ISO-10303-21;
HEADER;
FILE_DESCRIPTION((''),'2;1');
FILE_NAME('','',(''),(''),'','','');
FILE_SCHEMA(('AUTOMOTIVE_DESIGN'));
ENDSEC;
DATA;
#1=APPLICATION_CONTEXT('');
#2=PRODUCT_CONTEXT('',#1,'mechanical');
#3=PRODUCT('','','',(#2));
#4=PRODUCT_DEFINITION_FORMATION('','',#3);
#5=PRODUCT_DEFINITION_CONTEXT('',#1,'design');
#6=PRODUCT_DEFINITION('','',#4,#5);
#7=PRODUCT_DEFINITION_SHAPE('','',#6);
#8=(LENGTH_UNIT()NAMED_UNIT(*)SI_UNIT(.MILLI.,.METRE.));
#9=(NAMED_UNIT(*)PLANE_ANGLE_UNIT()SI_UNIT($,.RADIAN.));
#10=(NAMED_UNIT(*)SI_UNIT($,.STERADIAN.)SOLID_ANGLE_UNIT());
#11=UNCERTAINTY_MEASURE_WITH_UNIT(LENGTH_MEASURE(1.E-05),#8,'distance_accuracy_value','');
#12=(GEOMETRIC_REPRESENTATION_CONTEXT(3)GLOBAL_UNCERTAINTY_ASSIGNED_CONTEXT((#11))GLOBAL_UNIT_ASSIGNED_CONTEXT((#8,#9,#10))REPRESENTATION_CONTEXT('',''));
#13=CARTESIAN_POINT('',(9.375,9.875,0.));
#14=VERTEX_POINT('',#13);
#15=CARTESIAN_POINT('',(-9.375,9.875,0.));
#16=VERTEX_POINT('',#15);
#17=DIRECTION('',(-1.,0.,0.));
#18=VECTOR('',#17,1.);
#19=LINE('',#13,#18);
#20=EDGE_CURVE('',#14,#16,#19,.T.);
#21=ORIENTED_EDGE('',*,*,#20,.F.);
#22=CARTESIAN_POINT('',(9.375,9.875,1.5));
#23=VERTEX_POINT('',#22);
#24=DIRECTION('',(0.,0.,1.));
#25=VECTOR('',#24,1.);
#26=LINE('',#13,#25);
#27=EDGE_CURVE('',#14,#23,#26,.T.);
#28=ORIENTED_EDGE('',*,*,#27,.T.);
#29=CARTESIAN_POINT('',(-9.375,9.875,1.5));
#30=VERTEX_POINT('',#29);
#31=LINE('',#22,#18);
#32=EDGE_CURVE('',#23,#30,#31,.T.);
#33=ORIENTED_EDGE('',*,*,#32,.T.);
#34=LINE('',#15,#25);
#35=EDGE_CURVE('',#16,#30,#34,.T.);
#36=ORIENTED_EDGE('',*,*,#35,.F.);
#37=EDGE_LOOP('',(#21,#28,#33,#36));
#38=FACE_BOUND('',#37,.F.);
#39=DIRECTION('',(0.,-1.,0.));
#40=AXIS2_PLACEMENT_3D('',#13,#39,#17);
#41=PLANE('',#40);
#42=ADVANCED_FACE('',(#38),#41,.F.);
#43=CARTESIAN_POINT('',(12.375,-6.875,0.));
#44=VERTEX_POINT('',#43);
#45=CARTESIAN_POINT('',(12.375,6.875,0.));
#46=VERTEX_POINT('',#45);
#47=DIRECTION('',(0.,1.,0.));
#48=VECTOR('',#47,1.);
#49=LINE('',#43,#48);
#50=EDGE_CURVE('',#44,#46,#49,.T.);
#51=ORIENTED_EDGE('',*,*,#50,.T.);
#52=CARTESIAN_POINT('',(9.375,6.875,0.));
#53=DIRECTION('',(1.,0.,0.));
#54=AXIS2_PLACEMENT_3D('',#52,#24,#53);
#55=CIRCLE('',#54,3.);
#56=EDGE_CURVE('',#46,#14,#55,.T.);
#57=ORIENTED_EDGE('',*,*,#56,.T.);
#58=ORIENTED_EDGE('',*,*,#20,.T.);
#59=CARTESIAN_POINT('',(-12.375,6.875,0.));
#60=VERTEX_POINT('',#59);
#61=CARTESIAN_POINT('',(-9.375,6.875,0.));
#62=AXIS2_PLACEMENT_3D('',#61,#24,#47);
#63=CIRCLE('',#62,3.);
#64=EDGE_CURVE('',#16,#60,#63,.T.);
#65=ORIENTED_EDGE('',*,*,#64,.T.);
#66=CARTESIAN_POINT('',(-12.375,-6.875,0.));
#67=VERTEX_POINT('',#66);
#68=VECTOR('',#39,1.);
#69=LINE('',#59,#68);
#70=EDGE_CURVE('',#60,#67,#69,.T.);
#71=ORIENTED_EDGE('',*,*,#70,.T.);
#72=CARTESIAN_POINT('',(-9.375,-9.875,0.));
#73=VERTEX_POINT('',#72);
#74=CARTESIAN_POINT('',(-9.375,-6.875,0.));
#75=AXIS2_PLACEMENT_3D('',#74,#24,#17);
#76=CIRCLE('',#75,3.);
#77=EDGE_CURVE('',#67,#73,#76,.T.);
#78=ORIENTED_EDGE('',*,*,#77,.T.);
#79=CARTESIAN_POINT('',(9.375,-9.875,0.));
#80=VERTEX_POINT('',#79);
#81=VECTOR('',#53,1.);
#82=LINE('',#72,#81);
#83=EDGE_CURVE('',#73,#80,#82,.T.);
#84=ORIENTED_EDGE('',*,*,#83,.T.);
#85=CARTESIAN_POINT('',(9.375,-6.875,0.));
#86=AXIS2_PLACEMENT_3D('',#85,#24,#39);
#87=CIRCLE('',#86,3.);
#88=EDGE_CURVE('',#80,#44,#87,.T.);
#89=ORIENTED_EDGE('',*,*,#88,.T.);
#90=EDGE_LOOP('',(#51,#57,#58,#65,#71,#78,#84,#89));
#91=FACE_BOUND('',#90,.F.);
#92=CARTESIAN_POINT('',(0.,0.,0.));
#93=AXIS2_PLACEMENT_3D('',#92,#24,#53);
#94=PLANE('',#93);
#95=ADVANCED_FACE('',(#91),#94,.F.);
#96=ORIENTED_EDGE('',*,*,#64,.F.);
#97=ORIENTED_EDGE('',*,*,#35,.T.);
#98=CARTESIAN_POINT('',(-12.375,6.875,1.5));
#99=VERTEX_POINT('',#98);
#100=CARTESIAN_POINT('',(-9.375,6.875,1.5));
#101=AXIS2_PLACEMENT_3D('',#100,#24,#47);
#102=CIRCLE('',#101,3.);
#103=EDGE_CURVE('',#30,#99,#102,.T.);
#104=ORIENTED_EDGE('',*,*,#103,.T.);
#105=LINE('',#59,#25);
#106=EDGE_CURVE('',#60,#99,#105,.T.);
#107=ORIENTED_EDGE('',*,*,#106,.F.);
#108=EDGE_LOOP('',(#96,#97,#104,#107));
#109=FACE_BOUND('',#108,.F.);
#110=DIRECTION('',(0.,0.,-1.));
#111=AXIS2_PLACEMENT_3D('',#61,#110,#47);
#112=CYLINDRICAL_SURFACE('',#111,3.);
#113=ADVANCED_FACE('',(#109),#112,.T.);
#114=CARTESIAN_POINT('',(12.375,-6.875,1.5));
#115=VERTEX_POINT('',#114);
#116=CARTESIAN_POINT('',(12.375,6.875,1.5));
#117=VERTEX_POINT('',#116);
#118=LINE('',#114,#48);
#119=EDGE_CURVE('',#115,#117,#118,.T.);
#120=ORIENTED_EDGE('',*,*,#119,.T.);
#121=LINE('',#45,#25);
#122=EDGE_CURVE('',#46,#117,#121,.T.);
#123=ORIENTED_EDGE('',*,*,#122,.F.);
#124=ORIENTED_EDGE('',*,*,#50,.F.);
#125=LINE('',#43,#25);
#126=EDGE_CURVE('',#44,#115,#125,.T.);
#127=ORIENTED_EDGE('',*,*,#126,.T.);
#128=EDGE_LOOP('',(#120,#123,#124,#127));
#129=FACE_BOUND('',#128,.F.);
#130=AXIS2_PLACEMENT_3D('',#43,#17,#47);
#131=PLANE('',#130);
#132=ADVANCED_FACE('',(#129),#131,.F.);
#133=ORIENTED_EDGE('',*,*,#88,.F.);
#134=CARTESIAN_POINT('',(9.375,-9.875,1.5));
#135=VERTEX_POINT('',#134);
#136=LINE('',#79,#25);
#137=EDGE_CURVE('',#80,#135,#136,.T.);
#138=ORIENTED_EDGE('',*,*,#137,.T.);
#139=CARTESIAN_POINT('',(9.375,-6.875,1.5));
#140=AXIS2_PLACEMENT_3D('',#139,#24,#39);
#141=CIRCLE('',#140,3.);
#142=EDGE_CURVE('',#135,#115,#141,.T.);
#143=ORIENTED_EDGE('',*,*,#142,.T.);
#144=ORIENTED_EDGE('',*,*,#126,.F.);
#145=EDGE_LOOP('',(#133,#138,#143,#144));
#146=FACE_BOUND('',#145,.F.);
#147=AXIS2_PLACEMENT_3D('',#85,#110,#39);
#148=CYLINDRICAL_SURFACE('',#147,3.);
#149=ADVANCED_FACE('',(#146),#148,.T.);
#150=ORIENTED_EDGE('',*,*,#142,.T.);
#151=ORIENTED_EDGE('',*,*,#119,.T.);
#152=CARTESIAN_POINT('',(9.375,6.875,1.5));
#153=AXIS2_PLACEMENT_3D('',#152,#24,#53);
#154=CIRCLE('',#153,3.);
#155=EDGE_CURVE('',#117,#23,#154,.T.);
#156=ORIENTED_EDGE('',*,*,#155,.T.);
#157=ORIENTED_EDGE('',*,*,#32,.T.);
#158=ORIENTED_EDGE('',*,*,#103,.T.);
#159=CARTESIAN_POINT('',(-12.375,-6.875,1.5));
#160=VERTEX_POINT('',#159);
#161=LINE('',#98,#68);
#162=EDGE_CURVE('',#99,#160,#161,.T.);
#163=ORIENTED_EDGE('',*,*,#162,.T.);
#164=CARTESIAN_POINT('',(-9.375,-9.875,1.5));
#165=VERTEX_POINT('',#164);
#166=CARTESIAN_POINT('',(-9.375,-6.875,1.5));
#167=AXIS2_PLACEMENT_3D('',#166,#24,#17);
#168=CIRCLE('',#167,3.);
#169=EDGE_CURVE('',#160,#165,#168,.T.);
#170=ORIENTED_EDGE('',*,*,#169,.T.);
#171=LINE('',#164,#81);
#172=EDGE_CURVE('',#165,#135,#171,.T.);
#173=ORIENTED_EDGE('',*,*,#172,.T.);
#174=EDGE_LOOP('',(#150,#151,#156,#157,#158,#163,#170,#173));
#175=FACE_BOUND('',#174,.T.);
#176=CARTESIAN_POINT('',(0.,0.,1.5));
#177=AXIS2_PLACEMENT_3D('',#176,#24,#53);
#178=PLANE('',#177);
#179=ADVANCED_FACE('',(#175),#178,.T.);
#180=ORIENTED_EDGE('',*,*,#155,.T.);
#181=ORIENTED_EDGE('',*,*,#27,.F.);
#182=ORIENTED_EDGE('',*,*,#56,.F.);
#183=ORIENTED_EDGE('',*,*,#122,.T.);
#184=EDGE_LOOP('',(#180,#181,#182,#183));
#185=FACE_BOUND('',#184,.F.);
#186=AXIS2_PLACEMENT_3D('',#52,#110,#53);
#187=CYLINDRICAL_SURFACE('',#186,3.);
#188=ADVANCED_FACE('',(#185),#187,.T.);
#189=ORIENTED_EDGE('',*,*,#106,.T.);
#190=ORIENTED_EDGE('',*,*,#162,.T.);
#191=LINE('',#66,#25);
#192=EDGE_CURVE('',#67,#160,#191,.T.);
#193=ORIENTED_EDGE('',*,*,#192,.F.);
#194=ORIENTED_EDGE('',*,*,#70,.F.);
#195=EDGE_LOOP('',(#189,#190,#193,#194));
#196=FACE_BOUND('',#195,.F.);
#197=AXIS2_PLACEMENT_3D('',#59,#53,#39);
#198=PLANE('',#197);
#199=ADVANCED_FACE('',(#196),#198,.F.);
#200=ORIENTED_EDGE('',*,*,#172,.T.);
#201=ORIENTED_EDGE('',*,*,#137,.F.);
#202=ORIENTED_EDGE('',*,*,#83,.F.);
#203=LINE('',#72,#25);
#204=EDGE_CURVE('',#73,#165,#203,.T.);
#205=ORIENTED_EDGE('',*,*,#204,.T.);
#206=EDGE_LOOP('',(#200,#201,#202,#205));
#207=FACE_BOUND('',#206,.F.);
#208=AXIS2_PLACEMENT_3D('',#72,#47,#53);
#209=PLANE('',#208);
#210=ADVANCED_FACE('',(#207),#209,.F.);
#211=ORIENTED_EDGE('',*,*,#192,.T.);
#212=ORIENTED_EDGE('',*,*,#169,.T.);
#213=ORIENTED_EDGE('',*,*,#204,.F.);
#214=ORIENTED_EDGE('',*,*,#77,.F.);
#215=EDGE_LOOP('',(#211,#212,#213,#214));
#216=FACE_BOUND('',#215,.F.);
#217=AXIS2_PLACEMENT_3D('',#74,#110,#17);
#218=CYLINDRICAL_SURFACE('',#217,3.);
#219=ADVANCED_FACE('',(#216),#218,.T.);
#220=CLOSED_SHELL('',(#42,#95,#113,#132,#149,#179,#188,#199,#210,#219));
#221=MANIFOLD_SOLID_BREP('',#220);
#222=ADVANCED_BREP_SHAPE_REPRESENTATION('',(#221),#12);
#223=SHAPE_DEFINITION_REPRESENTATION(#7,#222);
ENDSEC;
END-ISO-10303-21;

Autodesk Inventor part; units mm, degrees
ref_plane "YZ Plane" through (0, 0, 0) normal (1, 0, 0) x (0, 1, 0)
ref_plane "XZ Plane" through (0, 0, 0) normal (0, 1, 0) x (-1, 0, 0)
ref_plane "XY Plane" through (0, 0, 0) normal (0, 0, 1) x (1, 0, 0)
sketch "Szkic1" plane through (0, 0, 0) normal (0, 0, 1) x (1, 0, 0)
  line L0 (-9.375, -9.875) -> (9.375, -9.875)
  line L1 (12.375, -6.875) -> (12.375, 6.875)
  line L2 (9.375, 9.875) -> (-9.375, 9.875)
  line L3 (-12.375, 6.875) -> (-12.375, -6.875)
  arc A0 (-9.375, 9.875) -> (-12.375, 6.875) centre (-9.375, 6.875) ccw
  arc A1 (12.375, 6.875) -> (9.375, 9.875) centre (9.375, 6.875) ccw
  arc A2 (9.375, -9.875) -> (12.375, -6.875) centre (9.375, -6.875) ccw
  arc A3 (-12.375, -6.875) -> (-9.375, -9.875) centre (-9.375, -6.875) ccw
  point P0 (0, 0)
  point P1 (12.375, 9.875)
  point P2 (12.375, -9.875)
  point P3 (-12.375, 9.875)
  dimension "d0" = 24.75
  dimension "d1" = 19.75
  dimension "d2" = 3
extrude "Wyciągnięcie proste1" add sketch "Szkic1" along normal blind 1.5
properties part number "PODUSZKA PODSTAWY" material "Kauczuk, silikon"
